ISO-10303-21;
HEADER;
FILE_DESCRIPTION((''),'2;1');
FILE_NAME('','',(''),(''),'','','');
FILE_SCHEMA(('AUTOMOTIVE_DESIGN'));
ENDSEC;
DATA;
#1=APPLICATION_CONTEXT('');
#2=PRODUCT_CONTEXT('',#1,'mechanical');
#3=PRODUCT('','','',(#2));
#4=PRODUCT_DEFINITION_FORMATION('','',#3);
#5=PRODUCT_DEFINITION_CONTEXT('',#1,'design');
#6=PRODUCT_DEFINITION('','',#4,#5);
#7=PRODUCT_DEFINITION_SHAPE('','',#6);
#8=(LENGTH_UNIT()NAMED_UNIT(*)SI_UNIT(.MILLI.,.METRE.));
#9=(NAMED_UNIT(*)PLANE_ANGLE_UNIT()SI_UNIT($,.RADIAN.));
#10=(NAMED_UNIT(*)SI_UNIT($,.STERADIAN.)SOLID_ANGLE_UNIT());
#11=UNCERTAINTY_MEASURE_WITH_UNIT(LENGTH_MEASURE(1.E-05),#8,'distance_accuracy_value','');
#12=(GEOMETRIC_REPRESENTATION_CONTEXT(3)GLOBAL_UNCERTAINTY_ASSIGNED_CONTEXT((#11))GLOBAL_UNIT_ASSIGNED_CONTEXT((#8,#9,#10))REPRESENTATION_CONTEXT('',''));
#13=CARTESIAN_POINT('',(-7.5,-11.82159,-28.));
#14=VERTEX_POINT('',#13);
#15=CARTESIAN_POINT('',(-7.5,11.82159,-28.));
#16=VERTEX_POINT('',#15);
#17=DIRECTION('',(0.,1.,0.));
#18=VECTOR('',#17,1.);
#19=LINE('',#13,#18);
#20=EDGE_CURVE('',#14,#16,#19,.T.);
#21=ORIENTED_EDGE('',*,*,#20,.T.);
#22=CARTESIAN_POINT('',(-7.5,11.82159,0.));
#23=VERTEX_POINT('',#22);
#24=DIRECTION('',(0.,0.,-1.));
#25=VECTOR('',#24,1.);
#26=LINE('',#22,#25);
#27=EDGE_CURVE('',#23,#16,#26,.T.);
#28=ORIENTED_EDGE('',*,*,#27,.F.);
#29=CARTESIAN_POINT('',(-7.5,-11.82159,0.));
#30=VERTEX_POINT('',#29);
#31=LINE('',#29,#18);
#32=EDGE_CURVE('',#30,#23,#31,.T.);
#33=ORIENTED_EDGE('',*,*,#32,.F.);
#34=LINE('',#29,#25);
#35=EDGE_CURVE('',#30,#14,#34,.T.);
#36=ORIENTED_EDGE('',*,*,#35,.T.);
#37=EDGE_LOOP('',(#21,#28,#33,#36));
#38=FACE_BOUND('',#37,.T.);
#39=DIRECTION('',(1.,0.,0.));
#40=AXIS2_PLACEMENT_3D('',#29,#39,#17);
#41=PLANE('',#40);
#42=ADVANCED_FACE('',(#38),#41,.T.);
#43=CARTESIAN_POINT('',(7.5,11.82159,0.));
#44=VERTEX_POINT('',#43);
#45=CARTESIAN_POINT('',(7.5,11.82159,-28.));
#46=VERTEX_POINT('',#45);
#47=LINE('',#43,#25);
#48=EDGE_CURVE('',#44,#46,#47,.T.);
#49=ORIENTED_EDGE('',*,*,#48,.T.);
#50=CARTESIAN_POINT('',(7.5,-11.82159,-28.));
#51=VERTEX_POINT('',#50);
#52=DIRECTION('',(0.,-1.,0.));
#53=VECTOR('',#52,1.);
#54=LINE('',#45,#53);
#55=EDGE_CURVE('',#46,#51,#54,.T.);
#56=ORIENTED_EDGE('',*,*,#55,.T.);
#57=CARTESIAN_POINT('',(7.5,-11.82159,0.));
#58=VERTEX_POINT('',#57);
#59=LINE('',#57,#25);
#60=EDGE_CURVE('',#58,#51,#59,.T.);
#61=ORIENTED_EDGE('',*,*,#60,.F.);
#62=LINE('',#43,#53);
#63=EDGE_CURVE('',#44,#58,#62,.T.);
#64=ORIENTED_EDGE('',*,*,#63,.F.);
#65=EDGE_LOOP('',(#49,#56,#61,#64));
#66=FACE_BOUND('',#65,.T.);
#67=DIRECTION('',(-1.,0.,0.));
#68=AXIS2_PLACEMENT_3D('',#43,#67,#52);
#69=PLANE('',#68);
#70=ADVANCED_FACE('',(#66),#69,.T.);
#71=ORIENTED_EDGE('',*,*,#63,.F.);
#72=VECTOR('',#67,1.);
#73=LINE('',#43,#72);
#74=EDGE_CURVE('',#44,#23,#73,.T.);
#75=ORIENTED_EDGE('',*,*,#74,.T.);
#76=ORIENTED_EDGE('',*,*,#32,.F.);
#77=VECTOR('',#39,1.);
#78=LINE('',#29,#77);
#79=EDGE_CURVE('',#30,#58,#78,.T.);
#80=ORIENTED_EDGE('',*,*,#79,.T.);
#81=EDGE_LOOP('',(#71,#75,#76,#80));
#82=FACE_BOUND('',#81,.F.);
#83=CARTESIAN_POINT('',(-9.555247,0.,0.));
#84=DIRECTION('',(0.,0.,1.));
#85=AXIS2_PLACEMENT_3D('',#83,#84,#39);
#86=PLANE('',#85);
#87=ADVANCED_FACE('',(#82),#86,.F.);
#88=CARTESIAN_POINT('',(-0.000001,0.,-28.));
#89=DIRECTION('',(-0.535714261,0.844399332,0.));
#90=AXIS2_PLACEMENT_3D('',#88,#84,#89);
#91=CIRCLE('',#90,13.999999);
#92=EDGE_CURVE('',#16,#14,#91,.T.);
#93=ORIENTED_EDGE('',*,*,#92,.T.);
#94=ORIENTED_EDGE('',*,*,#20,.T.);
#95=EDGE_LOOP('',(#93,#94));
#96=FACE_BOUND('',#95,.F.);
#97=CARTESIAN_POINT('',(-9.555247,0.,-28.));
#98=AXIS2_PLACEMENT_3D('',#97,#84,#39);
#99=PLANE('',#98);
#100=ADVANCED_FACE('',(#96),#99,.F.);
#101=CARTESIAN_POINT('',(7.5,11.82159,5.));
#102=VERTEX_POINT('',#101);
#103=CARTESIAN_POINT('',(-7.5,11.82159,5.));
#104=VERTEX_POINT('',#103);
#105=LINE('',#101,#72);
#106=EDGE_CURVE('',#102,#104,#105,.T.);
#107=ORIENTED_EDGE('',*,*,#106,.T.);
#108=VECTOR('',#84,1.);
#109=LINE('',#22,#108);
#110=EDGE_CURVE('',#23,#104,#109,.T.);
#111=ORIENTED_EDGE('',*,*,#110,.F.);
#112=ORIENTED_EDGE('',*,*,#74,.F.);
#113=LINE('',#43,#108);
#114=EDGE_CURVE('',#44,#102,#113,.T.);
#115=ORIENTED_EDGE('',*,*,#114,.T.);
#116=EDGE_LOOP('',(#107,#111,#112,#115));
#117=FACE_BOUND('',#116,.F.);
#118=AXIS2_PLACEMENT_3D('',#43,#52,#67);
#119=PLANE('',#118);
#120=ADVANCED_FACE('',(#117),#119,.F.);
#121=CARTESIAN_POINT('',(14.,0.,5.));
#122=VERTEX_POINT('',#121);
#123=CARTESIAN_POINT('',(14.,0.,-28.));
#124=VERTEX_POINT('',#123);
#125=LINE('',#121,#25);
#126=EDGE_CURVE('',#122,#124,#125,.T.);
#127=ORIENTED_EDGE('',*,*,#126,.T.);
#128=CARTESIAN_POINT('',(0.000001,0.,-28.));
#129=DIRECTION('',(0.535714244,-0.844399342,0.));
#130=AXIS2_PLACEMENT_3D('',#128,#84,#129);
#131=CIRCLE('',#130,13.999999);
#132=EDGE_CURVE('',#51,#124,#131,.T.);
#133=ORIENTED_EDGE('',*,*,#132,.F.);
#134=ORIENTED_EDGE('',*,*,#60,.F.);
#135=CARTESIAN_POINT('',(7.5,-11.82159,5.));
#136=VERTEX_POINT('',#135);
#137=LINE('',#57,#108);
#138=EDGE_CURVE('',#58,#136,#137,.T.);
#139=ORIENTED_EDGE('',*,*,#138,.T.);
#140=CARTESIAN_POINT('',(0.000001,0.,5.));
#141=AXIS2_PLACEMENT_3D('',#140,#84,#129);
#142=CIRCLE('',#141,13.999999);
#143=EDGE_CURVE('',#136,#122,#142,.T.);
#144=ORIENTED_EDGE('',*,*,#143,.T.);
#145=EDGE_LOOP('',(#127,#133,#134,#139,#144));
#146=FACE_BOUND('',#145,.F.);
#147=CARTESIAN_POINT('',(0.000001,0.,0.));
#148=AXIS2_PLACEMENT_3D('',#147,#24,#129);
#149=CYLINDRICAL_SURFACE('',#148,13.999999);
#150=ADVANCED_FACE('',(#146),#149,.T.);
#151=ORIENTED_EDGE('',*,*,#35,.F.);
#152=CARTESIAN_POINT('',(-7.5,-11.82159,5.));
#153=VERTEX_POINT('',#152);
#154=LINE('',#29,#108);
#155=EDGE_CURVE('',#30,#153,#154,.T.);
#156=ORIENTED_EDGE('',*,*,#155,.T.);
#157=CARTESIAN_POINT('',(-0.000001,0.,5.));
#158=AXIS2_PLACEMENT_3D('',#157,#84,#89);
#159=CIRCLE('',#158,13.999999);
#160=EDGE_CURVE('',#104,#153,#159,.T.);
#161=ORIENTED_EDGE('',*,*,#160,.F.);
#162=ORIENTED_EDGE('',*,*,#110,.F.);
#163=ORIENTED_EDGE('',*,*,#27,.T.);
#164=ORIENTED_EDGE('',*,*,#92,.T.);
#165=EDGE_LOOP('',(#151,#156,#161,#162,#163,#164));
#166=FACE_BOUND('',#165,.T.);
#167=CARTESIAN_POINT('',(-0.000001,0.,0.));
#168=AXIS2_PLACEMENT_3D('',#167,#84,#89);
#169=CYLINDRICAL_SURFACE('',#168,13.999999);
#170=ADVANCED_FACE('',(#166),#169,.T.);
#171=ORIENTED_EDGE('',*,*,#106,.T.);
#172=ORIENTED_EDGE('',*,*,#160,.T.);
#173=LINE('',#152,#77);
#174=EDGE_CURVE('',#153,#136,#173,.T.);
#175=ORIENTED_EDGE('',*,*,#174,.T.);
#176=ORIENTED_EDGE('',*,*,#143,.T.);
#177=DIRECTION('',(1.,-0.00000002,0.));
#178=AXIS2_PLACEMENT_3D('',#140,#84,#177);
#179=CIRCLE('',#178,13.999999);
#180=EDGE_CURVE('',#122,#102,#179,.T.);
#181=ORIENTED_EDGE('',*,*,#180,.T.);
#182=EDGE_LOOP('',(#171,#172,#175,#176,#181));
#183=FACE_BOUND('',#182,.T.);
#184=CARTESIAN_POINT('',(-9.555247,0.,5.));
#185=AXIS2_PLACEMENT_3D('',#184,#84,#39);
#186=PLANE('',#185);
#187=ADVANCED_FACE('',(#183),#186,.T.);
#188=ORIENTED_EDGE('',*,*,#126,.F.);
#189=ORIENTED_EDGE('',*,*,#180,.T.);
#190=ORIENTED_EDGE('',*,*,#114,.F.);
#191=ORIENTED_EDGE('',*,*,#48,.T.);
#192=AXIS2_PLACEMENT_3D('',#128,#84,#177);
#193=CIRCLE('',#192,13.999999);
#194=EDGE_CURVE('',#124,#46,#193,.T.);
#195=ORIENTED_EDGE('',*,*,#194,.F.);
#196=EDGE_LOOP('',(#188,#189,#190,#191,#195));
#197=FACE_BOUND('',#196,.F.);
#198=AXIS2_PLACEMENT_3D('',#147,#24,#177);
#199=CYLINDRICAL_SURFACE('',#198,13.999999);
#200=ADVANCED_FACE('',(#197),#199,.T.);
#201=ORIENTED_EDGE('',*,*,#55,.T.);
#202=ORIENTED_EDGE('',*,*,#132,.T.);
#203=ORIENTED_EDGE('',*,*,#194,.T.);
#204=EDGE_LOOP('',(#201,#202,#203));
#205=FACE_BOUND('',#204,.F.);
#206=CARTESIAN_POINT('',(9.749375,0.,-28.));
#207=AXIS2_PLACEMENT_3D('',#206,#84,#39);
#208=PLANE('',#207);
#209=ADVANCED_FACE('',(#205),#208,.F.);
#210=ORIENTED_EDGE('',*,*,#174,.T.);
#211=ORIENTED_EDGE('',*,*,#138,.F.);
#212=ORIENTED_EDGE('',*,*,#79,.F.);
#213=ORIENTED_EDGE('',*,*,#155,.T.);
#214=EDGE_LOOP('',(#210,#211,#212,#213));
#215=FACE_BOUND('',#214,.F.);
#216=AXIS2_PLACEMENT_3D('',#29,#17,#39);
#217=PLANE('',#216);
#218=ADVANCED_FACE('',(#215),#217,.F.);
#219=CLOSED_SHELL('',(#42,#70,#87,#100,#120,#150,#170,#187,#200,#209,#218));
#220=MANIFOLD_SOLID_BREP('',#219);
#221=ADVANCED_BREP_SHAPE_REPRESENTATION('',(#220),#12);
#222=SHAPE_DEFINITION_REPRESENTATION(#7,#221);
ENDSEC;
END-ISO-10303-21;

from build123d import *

# Parameters (mm, degrees)
F1_DEPTH = 5
F2_DEPTH = 28


with BuildPart() as f1:
    # F0 (on Top) → F1 (new body)
    with BuildSketch(Plane.XY):
        with BuildLine():
            Line((-7.5, 0), (-7.5, 11.82159))
            ThreePointArc((-7.5, 11.82159), (-14, 0), (-7.5, -11.82159))
            Line((-7.5, -11.82159), (-7.5, 0))
        make_face()
        with BuildLine():
            Line((-7.5, -11.82159), (7.5, -11.82159))
            Line((7.5, -11.82159), (7.5, 0))
            Line((7.5, 0), (5, 0))
            ThreePointArc((5, 0), (0, -5), (-5, 0))
            Line((-5, 0), (-7.5, 0))
            Line((-7.5, 0), (-7.5, -11.82159))
        make_face()
        with BuildLine():
            Line((7.5, 0), (7.5, 11.82159))
            Line((7.5, 11.82159), (-7.5, 11.82159))
            Line((-7.5, 11.82159), (-7.5, 0))
            Line((-7.5, 0), (-5, 0))
            ThreePointArc((-5, 0), (0, 5), (5, 0))
            Line((5, 0), (7.5, 0))
        make_face()
        with BuildLine():
            ThreePointArc((7.5, -11.82159), (12.267844, -6.745369), (14, 0))
            ThreePointArc((14, 0), (12.267844, 6.745369), (7.5, 11.82159))
            Line((7.5, 11.82159), (7.5, 0))
            Line((7.5, 0), (7.5, -11.82159))
        make_face()
        with BuildLine():
            Line((0, 0), (5, 0))
            ThreePointArc((5, 0), (0, 5), (-5, 0))
            Line((-5, 0), (0, 0))
        make_face()
        with BuildLine():
            ThreePointArc((-5, 0), (0, -5), (5, 0))
            Line((5, 0), (0, 0))
            Line((0, 0), (-5, 0))
        make_face()
    extrude(amount=F1_DEPTH)

    # F0 (on Top) → F2 (join)
    with BuildSketch(Plane.XY):
        with BuildLine():
            Line((-7.5, 0), (-7.5, 11.82159))
            ThreePointArc((-7.5, 11.82159), (-14, 0), (-7.5, -11.82159))
            Line((-7.5, -11.82159), (-7.5, 0))
        make_face()
        with BuildLine():
            ThreePointArc((7.5, -11.82159), (12.267844, -6.745369), (14, 0))
            ThreePointArc((14, 0), (12.267844, 6.745369), (7.5, 11.82159))
            Line((7.5, 11.82159), (7.5, 0))
            Line((7.5, 0), (7.5, -11.82159))
        make_face()
    extrude(amount=-F2_DEPTH)


solid = f1.part
